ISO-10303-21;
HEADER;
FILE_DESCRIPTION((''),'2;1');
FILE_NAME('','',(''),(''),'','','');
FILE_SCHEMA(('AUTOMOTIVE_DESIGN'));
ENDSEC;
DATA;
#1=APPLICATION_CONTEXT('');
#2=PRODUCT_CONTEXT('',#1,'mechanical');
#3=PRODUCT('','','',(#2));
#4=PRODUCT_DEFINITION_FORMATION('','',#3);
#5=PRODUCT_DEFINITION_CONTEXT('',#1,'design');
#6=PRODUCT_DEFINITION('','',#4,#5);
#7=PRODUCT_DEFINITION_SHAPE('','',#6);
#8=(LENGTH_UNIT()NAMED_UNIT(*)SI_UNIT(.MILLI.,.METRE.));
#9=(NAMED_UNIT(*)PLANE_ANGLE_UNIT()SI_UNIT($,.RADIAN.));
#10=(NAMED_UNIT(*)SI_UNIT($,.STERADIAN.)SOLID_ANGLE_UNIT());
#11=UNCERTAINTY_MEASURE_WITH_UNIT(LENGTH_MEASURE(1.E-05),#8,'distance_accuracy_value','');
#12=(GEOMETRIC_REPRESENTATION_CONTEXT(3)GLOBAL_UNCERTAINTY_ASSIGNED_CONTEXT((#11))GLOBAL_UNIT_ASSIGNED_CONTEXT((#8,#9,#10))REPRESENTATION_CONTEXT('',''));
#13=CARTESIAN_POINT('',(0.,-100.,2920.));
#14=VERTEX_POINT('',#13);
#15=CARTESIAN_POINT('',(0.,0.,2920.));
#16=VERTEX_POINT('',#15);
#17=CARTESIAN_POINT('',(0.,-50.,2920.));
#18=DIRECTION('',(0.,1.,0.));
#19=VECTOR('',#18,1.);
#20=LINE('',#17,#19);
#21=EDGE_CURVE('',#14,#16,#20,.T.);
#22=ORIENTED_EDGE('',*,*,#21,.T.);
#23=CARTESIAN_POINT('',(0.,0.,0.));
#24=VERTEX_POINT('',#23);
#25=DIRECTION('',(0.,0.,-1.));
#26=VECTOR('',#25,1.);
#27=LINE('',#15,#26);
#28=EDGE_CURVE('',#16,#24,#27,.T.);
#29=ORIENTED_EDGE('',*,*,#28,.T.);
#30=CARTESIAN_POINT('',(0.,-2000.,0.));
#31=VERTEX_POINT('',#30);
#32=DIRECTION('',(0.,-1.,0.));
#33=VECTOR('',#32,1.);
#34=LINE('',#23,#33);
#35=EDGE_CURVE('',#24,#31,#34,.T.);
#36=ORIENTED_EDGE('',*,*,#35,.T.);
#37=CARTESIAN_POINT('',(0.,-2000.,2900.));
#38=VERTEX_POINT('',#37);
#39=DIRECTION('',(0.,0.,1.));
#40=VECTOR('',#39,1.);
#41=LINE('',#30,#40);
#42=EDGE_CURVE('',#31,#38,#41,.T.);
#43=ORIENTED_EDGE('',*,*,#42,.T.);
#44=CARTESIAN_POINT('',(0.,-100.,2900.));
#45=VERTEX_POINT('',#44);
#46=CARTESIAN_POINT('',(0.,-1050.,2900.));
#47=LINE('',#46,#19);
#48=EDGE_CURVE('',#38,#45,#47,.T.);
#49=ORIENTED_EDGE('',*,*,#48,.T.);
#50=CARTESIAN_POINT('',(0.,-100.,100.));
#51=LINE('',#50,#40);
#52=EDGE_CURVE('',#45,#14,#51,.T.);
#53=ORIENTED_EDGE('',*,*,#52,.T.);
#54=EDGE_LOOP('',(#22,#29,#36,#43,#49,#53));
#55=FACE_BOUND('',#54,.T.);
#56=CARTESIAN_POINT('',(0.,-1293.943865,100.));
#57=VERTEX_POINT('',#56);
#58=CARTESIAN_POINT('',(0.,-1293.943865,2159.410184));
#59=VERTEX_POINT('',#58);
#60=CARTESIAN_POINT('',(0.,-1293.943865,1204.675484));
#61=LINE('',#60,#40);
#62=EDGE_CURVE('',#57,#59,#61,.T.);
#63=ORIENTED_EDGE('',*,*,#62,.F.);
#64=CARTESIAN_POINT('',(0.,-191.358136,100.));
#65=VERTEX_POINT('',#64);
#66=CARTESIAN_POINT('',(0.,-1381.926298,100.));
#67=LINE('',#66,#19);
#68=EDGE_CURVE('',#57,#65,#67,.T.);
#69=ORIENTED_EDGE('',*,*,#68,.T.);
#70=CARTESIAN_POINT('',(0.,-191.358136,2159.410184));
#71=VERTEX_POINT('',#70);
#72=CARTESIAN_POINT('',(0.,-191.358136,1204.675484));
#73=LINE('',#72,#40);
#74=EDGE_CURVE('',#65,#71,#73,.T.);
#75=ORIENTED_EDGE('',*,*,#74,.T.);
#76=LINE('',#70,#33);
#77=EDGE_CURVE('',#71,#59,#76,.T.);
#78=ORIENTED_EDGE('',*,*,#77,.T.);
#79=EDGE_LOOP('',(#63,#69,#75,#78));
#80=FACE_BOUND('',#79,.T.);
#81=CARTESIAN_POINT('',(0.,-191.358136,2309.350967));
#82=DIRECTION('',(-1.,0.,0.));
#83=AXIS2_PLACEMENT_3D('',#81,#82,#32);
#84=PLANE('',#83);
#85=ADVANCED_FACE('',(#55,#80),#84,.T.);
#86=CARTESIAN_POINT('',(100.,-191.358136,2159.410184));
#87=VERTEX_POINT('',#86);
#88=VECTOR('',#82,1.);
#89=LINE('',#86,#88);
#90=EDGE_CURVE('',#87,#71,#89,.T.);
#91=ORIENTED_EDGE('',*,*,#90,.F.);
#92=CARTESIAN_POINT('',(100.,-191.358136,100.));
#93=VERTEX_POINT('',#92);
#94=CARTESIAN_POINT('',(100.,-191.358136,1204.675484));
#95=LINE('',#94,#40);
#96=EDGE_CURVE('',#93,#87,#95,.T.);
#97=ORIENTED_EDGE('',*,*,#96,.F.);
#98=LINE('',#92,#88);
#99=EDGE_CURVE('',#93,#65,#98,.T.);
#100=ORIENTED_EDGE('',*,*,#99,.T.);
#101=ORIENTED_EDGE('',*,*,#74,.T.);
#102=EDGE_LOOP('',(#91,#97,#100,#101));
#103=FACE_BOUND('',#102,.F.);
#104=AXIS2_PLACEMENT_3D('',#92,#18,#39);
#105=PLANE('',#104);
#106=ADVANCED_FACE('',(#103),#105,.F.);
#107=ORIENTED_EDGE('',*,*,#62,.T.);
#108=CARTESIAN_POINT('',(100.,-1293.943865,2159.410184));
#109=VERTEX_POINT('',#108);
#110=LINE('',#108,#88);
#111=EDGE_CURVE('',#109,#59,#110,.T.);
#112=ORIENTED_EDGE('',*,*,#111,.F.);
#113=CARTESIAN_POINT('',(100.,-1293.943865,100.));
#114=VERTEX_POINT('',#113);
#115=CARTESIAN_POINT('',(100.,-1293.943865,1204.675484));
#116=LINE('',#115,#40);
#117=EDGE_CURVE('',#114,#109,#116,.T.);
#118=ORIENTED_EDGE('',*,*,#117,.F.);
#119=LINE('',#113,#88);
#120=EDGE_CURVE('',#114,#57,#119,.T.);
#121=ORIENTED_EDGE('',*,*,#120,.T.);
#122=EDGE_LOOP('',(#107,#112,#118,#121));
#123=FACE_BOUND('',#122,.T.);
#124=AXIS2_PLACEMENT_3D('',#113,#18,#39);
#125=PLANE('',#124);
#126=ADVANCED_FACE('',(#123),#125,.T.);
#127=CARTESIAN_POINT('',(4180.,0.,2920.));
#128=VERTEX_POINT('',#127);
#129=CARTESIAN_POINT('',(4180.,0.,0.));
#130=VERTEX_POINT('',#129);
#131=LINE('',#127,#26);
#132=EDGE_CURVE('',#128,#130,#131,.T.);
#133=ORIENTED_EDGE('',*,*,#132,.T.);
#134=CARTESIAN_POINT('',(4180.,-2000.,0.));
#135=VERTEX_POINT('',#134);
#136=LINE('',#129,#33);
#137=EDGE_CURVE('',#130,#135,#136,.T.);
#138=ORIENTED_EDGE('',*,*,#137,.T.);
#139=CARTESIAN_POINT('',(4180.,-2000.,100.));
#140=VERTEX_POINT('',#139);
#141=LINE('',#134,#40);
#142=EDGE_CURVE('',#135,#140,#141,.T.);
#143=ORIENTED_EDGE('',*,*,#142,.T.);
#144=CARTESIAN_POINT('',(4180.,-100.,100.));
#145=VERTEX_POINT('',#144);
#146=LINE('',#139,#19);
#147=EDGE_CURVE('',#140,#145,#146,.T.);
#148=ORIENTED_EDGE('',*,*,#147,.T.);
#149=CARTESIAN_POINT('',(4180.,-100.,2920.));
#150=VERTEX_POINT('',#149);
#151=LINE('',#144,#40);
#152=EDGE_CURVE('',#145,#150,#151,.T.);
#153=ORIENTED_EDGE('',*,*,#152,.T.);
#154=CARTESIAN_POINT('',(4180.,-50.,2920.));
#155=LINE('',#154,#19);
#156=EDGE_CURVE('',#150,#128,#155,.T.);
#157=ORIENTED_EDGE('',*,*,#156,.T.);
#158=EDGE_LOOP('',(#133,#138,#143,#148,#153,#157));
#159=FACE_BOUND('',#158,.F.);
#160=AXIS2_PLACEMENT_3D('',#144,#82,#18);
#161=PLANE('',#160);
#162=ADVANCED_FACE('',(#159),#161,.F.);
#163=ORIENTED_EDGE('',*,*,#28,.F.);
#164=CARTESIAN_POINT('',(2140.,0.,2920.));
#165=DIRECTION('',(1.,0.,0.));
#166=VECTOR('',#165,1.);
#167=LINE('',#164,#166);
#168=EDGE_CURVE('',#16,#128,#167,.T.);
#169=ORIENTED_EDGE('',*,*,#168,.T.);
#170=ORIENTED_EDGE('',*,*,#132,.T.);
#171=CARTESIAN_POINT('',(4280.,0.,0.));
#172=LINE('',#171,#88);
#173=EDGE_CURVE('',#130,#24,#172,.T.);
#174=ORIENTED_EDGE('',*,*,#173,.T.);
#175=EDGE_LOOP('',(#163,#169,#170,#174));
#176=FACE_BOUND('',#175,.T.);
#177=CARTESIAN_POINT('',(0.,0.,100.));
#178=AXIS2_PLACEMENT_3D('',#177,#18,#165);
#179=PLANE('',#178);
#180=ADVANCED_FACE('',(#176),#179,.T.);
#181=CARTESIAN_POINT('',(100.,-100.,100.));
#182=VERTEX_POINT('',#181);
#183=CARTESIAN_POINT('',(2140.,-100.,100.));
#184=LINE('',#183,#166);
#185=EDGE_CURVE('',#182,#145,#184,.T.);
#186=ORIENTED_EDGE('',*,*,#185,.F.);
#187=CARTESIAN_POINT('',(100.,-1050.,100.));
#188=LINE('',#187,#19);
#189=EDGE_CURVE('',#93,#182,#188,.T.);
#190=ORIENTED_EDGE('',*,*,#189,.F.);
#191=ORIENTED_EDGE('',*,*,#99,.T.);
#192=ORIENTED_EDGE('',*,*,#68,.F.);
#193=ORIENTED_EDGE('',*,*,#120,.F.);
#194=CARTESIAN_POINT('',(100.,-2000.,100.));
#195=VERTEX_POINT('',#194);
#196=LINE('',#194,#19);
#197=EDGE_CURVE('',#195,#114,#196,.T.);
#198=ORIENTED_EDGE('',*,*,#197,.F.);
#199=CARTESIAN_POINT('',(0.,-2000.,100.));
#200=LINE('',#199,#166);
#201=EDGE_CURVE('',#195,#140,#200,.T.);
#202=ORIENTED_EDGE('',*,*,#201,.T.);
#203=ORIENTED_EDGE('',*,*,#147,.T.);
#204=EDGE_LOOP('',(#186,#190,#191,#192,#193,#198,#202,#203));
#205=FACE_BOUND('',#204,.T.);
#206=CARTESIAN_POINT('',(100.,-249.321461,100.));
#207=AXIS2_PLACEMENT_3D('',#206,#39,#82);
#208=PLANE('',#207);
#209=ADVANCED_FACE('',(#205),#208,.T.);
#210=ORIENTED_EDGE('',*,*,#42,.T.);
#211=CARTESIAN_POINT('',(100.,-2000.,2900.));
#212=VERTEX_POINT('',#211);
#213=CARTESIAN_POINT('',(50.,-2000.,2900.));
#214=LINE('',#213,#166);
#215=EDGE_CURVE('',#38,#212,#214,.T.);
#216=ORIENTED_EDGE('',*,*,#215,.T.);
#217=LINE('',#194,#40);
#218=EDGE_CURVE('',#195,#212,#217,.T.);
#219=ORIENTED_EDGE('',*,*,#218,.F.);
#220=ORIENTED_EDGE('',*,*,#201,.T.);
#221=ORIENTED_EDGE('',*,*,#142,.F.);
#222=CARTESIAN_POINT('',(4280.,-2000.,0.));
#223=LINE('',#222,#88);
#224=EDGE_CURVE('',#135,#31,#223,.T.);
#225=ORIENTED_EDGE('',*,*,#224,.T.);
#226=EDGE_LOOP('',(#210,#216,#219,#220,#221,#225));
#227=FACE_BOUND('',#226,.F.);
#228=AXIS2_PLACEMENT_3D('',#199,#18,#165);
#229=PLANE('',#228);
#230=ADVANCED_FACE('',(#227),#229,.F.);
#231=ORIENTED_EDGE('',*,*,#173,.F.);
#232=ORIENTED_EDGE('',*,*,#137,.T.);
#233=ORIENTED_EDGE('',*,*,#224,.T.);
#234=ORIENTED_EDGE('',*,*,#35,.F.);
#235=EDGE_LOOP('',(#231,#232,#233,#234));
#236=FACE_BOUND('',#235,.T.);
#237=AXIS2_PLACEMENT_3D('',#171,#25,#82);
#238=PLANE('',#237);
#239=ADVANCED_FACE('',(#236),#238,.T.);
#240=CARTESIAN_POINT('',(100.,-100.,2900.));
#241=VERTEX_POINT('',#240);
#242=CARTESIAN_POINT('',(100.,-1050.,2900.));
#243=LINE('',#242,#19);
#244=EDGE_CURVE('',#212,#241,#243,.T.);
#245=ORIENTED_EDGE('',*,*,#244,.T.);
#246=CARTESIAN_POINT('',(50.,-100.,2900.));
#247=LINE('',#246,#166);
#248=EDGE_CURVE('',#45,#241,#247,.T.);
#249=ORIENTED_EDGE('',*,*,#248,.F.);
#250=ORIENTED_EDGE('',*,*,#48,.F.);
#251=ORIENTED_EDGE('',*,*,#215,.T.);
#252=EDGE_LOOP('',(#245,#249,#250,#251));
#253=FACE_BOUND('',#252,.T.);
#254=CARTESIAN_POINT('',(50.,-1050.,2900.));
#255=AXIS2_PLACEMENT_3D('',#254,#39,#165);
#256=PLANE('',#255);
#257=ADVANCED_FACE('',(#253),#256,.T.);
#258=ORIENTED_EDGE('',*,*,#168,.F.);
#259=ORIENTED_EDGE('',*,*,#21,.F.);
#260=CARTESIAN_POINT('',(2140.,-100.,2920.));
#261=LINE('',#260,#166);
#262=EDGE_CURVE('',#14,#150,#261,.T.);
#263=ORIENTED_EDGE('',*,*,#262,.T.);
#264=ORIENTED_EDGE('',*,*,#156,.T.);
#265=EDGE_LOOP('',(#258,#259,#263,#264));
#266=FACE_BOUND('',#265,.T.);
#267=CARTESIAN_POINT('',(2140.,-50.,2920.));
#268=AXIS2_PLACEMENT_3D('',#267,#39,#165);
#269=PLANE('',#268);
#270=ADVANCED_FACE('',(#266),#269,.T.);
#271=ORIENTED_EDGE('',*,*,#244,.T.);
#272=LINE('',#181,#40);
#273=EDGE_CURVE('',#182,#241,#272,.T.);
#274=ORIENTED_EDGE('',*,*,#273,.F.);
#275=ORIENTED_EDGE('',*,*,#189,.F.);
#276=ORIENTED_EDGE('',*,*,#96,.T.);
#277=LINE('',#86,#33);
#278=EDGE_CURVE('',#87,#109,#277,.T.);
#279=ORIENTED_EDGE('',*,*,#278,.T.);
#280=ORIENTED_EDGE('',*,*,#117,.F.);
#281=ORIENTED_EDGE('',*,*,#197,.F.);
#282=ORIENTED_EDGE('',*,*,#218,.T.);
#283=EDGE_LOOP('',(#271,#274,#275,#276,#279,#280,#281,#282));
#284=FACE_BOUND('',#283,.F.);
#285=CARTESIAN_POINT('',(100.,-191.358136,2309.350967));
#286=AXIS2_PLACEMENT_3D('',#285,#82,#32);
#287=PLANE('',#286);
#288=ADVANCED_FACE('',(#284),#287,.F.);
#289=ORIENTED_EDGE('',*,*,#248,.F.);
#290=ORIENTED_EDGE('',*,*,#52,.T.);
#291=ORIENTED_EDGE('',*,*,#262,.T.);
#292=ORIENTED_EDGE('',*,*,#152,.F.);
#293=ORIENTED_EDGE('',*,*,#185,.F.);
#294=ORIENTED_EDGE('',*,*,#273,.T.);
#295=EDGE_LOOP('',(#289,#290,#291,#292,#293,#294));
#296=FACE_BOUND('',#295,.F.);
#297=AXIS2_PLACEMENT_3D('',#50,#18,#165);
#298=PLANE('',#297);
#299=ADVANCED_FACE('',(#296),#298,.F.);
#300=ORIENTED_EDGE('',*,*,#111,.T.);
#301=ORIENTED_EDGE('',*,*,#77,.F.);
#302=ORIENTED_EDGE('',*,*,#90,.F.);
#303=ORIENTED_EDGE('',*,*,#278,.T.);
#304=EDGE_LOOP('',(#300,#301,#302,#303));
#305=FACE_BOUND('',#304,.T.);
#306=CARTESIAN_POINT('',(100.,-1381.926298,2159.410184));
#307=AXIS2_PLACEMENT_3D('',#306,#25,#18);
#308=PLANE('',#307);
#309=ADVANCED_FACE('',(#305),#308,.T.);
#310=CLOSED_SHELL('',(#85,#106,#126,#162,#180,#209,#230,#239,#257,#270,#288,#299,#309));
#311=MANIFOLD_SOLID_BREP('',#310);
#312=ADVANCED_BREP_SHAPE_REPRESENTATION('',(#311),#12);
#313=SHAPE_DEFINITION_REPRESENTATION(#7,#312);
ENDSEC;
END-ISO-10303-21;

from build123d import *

# Parameters (mm, degrees)
F0_W      = 49.6836304665
F0_H      = 40.4926985502
F1_DEPTH  = 100
F2_DEPTH  = 4280
F3_DEPTH  = 2000
F4_W      = 4280
F4_H      = 100
F6_DEPTH  = 2820
F5_W      = 100
F5_H      = 1900
F7_DEPTH  = 2800
F8_W      = 1132.6048374176
F8_H      = 2209.3509674072
F9_DEPTH  = 100
F10_DEPTH = 57.9633247107
F11_DEPTH = 87.9824329168
F12_DEPTH = 149.9407831579
F13_DEPTH = 100


with BuildPart() as f1:
    # F0 (on Top) → F1 (new body)
    with BuildSketch(Plane.XY):
        with Locations((24.8418152332, -20.2463492751)):
            Rectangle(F0_W, F0_H)
    extrude(amount=F1_DEPTH)

    # F2 (add): a face of the model
    f2_faces = [f1.faces().sort_by_distance(p)[0] for p in [
        (0, -20.2463492751, 50),
    ]]
    extrude(f2_faces, amount=-F2_DEPTH)

    # F3 (add): a face of the model
    f3_faces = [f1.faces().sort_by_distance(p)[0] for p in [
        (2140, 0, 50),
    ]]
    extrude(f3_faces, amount=-F3_DEPTH)

    # F4 (on face) → F6 (join)
    with BuildSketch(Plane.XY.offset(100)):
        with Locations((2140, -50)):
            Rectangle(F4_W, F4_H)
    extrude(amount=F6_DEPTH)

    # F5 (on face) → F7 (join)
    with BuildSketch(Plane.XY.offset(100)):
        with Locations((50, -1050)):
            Rectangle(F5_W, F5_H)
    extrude(amount=F7_DEPTH)

    # F8 (on face) → F9 (cut)
    with BuildSketch(Plane.YZ.offset(100)):
        with Locations((-815.6238794327, 1204.6754837036)):
            Rectangle(F8_W, F8_H)
    extrude(amount=-F9_DEPTH, mode=Mode.SUBTRACT)

    # F10 (cut): a face of the model
    f10_faces = [f1.faces().sort_by_distance(p)[0] for p in [
        (50, -249.3214607239, 1204.6754837036),
    ]]
    extrude(f10_faces, amount=-F10_DEPTH, mode=Mode.SUBTRACT)

    # F11 (add): a face of the model
    f11_faces = [f1.faces().sort_by_distance(p)[0] for p in [
        (50, -1381.9262981415, 1204.6754837036),
    ]]
    extrude(f11_faces, amount=F11_DEPTH)

    # F12 (add): a face of the model
    f12_faces = [f1.faces().sort_by_distance(p)[0] for p in [
        (50, -742.6510006189, 2309.3509674072),
    ]]
    extrude(f12_faces, amount=F12_DEPTH)

    # F13 (cut): a face of the model
    f13_faces = [f1.faces().sort_by_distance(p)[0] for p in [
        (4280, -35.3926546052, 1460),
    ]]
    extrude(f13_faces, amount=-F13_DEPTH, mode=Mode.SUBTRACT)


solid = f1.part
